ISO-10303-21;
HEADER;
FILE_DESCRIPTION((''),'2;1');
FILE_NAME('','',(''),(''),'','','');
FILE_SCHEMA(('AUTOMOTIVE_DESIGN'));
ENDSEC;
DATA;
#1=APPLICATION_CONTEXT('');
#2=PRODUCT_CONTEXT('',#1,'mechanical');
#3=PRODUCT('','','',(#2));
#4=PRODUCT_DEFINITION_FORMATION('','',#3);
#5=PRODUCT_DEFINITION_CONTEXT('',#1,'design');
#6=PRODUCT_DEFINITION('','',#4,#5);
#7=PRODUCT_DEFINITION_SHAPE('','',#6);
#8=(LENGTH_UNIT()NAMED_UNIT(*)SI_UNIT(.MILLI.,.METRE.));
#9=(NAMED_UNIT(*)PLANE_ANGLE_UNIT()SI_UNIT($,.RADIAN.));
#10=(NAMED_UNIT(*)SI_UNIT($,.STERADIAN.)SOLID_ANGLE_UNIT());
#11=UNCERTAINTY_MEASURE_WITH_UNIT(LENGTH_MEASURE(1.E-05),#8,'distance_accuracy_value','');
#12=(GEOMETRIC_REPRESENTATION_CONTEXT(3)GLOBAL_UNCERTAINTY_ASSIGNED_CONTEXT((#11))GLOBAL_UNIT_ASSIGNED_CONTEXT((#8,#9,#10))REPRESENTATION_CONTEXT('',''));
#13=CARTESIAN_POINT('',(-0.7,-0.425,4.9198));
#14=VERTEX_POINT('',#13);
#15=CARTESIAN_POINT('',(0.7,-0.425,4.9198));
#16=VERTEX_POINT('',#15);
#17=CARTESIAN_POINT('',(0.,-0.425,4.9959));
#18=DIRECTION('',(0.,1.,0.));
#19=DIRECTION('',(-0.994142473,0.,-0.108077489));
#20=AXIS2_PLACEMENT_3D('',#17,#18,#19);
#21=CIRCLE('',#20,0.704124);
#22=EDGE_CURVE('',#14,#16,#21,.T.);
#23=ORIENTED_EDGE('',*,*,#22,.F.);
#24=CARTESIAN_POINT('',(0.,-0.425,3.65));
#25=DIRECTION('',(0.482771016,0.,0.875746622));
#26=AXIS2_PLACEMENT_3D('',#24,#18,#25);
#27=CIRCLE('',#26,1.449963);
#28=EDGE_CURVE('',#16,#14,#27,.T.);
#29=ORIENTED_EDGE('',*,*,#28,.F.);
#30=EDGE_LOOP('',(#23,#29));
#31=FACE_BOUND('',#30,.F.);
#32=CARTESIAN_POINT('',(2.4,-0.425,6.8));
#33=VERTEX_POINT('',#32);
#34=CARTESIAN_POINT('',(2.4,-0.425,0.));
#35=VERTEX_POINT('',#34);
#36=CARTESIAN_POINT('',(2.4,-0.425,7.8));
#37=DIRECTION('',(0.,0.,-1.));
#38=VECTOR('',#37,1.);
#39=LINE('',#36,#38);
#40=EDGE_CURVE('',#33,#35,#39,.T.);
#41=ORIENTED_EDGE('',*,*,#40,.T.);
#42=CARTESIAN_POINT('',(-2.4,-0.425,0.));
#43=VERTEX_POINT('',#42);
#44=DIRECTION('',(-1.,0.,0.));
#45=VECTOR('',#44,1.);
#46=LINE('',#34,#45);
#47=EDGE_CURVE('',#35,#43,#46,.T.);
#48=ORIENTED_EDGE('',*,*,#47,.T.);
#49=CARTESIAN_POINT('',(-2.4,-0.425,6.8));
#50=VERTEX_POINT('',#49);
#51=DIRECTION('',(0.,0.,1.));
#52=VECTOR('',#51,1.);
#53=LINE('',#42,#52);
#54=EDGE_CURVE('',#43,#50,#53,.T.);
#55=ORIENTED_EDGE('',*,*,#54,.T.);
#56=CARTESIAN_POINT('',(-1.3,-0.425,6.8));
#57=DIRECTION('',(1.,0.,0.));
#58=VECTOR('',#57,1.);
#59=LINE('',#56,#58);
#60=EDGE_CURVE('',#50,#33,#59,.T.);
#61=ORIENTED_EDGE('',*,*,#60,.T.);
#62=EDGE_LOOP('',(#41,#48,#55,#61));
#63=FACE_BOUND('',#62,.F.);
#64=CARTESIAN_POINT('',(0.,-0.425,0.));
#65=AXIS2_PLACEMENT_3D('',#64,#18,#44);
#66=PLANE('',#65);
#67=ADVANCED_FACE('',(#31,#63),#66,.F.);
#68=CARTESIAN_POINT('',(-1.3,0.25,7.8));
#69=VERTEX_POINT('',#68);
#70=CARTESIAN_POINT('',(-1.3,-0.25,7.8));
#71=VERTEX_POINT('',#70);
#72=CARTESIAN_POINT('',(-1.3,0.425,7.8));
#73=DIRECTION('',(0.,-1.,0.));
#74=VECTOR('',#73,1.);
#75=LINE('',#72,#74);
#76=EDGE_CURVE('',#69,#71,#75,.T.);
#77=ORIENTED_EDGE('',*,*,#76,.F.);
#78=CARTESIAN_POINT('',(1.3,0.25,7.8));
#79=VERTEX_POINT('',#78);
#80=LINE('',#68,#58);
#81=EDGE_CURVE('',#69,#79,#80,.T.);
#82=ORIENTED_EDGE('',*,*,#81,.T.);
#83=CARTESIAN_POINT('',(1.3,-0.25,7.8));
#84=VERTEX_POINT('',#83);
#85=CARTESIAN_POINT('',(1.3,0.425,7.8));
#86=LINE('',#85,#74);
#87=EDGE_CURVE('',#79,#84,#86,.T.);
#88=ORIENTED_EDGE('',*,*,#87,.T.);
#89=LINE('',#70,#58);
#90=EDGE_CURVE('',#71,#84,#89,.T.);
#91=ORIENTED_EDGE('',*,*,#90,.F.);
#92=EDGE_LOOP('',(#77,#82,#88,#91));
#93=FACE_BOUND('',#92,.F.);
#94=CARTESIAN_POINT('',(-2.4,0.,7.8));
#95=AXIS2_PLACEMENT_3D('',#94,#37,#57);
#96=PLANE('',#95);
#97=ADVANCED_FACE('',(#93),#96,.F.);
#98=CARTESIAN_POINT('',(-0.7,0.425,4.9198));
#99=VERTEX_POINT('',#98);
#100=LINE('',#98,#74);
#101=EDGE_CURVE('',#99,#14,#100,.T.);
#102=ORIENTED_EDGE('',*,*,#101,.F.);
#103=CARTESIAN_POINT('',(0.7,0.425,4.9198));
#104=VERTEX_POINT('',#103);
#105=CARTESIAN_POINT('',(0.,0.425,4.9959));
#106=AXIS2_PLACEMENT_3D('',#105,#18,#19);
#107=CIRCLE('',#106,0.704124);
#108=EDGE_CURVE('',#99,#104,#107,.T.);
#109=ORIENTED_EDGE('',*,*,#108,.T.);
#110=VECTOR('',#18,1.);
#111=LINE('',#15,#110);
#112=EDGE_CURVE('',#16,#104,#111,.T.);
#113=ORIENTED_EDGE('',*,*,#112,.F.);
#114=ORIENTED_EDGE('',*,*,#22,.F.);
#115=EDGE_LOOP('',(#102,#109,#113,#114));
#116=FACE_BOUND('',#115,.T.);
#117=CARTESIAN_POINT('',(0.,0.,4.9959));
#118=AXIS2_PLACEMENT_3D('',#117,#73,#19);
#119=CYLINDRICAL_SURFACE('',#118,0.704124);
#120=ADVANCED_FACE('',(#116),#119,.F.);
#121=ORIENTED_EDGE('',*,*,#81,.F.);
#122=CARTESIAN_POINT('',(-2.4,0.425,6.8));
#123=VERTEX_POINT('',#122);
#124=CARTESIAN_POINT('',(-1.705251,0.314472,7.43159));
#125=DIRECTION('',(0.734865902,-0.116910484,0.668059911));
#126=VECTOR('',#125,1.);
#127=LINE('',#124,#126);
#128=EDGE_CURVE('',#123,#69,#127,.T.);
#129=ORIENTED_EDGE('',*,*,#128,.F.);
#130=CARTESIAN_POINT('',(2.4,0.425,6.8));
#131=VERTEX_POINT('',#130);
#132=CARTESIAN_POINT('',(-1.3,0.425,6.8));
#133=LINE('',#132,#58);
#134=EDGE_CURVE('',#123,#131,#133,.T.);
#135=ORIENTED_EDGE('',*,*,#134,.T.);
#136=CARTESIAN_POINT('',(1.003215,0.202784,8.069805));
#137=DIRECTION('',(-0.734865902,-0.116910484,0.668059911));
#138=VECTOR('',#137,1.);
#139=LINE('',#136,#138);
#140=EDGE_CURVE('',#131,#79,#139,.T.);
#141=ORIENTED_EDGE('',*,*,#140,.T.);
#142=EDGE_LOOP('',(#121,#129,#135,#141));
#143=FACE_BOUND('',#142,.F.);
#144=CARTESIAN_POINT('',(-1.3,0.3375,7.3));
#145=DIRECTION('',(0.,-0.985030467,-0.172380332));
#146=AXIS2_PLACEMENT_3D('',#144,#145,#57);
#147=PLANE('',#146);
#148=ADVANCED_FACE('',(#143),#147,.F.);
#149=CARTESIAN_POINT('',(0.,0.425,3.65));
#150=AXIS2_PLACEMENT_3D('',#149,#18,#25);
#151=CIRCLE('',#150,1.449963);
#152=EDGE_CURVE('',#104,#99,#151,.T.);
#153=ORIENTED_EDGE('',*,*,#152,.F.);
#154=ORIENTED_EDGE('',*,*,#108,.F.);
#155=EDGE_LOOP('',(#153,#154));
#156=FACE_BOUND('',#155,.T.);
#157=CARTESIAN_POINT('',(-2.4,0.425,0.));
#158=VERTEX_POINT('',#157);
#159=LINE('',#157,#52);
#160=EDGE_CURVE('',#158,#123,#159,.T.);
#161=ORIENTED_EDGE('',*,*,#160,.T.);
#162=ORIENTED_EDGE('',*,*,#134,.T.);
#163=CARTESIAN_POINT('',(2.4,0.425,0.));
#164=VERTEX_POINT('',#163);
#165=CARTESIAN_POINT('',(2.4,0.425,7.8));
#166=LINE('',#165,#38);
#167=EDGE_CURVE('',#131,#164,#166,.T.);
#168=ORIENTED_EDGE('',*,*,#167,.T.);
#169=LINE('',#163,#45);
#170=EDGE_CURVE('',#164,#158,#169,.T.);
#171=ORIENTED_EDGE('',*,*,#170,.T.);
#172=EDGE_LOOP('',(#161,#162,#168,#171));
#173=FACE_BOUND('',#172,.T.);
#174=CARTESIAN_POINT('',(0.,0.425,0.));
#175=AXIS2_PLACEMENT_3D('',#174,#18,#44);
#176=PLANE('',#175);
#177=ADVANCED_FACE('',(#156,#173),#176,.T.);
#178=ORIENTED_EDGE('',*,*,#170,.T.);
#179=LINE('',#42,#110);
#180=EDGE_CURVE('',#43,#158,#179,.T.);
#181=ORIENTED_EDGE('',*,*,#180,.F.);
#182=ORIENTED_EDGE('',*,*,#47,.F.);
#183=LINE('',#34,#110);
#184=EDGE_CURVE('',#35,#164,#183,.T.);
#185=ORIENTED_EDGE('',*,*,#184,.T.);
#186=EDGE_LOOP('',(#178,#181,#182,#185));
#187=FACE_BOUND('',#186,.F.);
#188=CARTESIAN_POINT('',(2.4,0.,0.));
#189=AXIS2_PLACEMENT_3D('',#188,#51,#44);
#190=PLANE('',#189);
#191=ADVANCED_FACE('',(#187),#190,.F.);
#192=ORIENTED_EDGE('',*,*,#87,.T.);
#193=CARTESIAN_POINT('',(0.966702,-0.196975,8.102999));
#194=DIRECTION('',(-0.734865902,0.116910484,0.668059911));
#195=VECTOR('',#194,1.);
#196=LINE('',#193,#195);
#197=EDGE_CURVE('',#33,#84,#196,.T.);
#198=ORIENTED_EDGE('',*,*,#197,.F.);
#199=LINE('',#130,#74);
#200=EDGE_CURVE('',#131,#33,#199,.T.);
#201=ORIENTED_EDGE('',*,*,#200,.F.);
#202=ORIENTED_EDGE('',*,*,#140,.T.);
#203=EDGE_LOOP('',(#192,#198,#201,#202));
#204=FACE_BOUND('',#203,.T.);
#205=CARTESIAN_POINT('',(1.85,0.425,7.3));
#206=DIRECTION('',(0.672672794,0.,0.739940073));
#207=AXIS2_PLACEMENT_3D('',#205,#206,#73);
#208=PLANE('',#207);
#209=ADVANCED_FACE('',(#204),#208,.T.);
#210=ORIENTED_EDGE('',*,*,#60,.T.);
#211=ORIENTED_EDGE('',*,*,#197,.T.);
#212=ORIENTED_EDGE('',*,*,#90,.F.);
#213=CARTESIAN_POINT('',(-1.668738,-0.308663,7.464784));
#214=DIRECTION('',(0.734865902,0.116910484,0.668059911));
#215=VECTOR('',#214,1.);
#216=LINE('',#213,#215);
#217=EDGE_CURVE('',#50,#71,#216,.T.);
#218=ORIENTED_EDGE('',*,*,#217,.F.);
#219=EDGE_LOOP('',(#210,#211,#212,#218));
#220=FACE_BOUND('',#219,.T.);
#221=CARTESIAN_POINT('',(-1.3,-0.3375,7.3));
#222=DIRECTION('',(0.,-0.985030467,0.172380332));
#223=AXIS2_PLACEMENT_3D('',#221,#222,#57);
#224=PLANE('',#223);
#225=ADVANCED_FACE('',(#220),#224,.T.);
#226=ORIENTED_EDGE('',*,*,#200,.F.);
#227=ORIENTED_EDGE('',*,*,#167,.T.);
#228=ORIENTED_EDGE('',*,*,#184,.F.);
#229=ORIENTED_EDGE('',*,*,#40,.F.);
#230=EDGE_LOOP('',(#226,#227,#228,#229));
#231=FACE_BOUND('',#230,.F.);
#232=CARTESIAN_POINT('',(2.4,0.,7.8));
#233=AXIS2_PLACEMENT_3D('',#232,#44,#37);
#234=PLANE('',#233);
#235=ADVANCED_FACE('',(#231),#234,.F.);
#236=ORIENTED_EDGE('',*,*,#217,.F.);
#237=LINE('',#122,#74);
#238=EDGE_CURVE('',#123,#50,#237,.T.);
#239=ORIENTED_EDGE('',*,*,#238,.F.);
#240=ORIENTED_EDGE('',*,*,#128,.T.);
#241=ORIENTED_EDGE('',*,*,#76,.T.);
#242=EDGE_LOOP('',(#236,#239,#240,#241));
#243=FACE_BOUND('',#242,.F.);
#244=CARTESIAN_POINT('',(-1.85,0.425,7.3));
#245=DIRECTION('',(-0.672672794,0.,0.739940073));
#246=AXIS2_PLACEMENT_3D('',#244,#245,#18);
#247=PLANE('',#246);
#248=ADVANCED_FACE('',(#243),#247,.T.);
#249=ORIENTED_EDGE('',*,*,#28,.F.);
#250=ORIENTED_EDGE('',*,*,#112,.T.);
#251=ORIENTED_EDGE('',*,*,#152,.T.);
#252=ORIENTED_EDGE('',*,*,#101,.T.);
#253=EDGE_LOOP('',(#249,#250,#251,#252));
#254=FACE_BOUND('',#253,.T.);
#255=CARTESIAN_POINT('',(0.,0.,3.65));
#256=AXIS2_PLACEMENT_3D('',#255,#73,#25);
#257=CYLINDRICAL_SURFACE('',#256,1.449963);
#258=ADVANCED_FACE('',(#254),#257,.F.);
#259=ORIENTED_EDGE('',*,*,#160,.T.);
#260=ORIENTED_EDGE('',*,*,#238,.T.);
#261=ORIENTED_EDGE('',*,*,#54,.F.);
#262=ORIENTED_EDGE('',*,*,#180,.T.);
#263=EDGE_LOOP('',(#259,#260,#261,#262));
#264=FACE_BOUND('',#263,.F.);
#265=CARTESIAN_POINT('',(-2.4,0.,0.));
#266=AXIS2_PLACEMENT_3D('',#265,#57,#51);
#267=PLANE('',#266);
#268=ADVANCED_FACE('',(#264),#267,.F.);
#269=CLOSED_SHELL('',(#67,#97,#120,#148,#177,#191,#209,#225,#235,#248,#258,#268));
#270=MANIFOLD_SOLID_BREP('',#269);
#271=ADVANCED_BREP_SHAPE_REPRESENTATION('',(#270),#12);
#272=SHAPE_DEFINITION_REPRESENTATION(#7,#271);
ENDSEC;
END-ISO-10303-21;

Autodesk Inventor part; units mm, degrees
ref_plane "YZ Plane" through (0, 0, 0) normal (1, 0, 0) x (0, 1, 0)
ref_plane "XZ Plane" through (0, 0, 0) normal (0, 1, 0) x (-1, 0, 0)
ref_plane "XY Plane" through (0, 0, 0) normal (0, 0, 1) x (1, 0, 0)
sketch "Sketch1" plane through (0, 0, 0) normal (0, 1, 0) x (-1, 0, 0)
  line L0 (-2.4, 0) -> (2.4, 0)
  line L1 (2.4, 0) -> (2.4, 7.8)
  line L2 (2.4, 7.8) -> (-2.4, 7.8)
  line L3 (-2.4, 7.8) -> (-2.4, 0)
  arc A0 (-0.7, 4.9198) -> (0.7, 4.9198) centre (0, 3.65) ccw
  arc A1 (0.7, 4.9198) -> (-0.7, 4.9198) centre (0, 4.9959) ccw
  point P0 (0, 0)
  point P1 (0, 7.8)
  point P2 (0, 0)
  dimension "d0" = 4.8
  dimension "d1" = 7.8
  dimension "d2" = 5.6
  dimension "d3" = 1.45
  dimension "d4" = 2.1
  dimension "d5" = 1.4
extrude "Extrusion1" add sketch "Sketch1" along normal mid plane 0.85
chamfer "Chamfer1" distance 1.1 distance2 1 1 edges at (2.4, 0, 7.8) measured on face at (-0.8, -0.1417, 7.8)
chamfer "Chamfer2" distance 1.1 distance2 1 1 edges at (-2.4, 0, 7.8) measured on face at (0.0667, 0.1417, 7.8)
chamfer "Chamfer3" distance 1 distance2 0.175 1 edges at (0, 0.425, 7.8) measured on face at (0, 0.425, 0.7333)
chamfer "Chamfer4" distance 1 distance2 0.175 1 edges at (0, -0.425, 7.8) measured on face at (0, -0.425, 0.7333)
properties material "Nickel-Copper Alloy 400"
